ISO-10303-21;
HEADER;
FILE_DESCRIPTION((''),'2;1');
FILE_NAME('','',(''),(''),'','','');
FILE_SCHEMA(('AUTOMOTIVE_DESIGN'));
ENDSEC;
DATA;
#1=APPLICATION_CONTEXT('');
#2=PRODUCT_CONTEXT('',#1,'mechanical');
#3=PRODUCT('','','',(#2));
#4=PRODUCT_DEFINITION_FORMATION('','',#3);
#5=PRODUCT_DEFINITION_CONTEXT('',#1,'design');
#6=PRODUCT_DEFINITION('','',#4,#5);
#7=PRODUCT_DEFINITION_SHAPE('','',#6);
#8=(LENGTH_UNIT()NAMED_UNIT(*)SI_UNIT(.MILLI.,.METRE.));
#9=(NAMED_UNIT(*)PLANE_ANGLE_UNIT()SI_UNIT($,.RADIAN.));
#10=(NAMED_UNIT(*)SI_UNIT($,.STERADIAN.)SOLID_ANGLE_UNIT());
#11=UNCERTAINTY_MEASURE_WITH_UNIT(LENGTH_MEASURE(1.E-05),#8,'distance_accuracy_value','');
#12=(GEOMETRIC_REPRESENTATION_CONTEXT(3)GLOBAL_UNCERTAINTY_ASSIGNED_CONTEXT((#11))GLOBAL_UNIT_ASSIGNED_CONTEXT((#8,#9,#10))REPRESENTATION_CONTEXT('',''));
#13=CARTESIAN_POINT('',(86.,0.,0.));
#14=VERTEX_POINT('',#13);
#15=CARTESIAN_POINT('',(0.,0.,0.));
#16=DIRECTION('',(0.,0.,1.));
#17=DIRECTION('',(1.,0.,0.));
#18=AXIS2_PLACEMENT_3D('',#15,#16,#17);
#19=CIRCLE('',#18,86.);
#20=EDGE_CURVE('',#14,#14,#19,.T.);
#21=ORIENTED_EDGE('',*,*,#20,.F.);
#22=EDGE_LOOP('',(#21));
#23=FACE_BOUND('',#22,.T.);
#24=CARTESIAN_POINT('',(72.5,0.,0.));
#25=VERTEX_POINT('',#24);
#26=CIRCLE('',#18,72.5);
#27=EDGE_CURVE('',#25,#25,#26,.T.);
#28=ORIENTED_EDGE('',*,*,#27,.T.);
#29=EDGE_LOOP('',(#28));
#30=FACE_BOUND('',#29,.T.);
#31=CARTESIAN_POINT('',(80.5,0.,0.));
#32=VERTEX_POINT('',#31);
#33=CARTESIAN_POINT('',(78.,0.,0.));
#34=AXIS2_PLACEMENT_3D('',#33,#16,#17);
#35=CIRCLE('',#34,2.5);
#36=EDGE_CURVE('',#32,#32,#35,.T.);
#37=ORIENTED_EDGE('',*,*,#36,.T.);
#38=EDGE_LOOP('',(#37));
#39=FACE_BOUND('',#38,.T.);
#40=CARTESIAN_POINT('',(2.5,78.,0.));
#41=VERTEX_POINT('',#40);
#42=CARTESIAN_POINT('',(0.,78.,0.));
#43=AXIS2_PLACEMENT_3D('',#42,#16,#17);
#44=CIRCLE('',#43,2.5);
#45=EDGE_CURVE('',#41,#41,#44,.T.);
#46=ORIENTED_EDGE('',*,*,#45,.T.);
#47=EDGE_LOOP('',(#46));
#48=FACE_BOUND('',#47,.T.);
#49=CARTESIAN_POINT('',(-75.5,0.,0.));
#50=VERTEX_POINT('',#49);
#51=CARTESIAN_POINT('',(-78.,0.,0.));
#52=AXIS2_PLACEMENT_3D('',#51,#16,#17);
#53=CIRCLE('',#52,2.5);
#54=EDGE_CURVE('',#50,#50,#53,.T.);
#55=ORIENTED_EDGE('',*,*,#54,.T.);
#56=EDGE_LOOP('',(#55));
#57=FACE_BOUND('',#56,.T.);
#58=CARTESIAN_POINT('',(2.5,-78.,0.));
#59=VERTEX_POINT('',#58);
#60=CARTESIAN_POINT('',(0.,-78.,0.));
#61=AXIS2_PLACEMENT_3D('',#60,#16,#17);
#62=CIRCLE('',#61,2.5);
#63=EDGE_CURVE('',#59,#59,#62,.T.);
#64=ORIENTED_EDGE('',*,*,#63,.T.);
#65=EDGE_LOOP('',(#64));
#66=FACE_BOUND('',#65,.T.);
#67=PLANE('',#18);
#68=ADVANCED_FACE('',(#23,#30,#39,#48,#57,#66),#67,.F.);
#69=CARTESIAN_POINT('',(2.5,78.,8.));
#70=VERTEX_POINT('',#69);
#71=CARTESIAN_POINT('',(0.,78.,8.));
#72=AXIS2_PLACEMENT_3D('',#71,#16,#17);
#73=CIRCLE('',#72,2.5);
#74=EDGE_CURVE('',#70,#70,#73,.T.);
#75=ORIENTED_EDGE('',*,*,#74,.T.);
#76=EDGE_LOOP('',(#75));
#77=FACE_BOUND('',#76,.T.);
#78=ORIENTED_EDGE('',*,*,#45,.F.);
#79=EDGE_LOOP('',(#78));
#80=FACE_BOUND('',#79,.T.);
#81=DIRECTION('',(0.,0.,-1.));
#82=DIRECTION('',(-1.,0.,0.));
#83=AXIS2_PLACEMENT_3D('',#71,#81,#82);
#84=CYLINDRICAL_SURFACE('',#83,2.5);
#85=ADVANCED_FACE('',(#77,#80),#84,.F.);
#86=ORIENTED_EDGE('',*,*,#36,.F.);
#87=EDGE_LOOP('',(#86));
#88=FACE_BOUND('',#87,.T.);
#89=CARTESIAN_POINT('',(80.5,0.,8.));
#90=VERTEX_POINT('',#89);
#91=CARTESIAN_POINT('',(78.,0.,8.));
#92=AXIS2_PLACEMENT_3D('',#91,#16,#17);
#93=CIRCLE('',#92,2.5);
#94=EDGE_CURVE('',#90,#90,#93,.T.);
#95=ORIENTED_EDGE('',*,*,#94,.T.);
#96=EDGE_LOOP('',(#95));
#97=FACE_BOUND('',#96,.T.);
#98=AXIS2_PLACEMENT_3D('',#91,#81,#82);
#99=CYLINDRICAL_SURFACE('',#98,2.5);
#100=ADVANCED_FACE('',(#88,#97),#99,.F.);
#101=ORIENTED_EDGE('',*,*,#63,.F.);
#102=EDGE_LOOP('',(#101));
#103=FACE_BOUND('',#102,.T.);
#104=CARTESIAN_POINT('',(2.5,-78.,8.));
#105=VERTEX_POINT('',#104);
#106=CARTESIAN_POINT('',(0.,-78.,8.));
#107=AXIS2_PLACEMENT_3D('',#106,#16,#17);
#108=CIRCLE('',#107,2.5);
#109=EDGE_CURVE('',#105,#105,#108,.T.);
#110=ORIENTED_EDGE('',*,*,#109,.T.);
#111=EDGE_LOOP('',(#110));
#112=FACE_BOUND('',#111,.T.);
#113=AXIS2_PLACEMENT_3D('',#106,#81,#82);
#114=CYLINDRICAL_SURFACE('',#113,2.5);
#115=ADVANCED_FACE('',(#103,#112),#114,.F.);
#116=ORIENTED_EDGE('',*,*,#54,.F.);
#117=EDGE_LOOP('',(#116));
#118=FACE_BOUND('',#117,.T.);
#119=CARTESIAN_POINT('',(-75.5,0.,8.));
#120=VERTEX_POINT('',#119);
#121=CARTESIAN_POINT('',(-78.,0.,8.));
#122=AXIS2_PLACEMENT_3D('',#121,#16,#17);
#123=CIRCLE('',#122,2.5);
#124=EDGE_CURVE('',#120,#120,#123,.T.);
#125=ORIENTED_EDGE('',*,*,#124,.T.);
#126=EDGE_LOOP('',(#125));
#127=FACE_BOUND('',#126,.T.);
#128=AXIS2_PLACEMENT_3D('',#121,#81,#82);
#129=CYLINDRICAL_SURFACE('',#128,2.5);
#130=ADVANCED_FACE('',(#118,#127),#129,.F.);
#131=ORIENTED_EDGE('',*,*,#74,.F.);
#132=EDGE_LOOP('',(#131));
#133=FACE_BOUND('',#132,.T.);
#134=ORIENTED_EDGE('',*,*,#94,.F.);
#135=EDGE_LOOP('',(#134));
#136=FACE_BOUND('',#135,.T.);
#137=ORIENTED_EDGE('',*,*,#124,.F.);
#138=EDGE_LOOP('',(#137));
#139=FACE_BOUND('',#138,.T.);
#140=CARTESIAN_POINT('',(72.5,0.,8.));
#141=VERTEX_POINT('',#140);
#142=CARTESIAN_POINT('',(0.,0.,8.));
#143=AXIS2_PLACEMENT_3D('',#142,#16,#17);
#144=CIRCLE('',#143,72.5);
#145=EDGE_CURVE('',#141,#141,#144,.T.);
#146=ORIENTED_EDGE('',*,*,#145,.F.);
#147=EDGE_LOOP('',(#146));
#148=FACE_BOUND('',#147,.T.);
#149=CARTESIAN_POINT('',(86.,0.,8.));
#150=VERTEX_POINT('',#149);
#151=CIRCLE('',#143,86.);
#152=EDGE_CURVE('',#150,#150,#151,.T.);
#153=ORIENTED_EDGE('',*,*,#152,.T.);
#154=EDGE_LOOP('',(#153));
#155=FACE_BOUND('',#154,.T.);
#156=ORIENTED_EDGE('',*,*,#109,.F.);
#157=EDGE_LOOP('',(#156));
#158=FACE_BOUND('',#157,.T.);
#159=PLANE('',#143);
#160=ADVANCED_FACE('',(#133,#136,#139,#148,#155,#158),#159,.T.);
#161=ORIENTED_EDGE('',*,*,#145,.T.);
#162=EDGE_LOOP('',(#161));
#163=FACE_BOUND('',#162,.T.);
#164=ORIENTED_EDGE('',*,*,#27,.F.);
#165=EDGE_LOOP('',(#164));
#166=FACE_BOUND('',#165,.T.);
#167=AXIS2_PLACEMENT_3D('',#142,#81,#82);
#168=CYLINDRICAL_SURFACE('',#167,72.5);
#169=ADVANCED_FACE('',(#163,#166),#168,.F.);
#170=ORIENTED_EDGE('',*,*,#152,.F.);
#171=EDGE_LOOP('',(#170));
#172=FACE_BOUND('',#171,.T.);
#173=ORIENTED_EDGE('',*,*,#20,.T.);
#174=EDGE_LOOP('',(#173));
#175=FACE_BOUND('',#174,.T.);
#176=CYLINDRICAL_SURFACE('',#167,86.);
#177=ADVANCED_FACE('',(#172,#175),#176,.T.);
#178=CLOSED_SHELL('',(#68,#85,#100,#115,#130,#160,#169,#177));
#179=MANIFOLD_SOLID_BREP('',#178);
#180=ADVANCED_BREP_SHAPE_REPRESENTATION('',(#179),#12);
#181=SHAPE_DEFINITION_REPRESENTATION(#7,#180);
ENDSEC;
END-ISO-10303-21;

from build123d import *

# Parameters (mm, degrees)
SKETCH1_R           = 86
SKETCH1_R_2         = 72.5
SKETCH1_R_3         = 2.5
BOSS_EXTRUDE1_DEPTH = 8


with BuildPart() as part:
    # Sketch1 → Boss-Extrude1 (new body)
    with BuildSketch(Plane.XY):
        Circle(SKETCH1_R)
        Circle(SKETCH1_R_2, mode=Mode.SUBTRACT)
        with Locations((0, 78)):
            Circle(SKETCH1_R_3, mode=Mode.SUBTRACT)
        with Locations((78, 0)):
            Circle(SKETCH1_R_3, mode=Mode.SUBTRACT)
        with Locations((0, -78)):
            Circle(SKETCH1_R_3, mode=Mode.SUBTRACT)
        with Locations((-78, 0)):
            Circle(SKETCH1_R_3, mode=Mode.SUBTRACT)
    extrude(amount=BOSS_EXTRUDE1_DEPTH)


solid = part.part
